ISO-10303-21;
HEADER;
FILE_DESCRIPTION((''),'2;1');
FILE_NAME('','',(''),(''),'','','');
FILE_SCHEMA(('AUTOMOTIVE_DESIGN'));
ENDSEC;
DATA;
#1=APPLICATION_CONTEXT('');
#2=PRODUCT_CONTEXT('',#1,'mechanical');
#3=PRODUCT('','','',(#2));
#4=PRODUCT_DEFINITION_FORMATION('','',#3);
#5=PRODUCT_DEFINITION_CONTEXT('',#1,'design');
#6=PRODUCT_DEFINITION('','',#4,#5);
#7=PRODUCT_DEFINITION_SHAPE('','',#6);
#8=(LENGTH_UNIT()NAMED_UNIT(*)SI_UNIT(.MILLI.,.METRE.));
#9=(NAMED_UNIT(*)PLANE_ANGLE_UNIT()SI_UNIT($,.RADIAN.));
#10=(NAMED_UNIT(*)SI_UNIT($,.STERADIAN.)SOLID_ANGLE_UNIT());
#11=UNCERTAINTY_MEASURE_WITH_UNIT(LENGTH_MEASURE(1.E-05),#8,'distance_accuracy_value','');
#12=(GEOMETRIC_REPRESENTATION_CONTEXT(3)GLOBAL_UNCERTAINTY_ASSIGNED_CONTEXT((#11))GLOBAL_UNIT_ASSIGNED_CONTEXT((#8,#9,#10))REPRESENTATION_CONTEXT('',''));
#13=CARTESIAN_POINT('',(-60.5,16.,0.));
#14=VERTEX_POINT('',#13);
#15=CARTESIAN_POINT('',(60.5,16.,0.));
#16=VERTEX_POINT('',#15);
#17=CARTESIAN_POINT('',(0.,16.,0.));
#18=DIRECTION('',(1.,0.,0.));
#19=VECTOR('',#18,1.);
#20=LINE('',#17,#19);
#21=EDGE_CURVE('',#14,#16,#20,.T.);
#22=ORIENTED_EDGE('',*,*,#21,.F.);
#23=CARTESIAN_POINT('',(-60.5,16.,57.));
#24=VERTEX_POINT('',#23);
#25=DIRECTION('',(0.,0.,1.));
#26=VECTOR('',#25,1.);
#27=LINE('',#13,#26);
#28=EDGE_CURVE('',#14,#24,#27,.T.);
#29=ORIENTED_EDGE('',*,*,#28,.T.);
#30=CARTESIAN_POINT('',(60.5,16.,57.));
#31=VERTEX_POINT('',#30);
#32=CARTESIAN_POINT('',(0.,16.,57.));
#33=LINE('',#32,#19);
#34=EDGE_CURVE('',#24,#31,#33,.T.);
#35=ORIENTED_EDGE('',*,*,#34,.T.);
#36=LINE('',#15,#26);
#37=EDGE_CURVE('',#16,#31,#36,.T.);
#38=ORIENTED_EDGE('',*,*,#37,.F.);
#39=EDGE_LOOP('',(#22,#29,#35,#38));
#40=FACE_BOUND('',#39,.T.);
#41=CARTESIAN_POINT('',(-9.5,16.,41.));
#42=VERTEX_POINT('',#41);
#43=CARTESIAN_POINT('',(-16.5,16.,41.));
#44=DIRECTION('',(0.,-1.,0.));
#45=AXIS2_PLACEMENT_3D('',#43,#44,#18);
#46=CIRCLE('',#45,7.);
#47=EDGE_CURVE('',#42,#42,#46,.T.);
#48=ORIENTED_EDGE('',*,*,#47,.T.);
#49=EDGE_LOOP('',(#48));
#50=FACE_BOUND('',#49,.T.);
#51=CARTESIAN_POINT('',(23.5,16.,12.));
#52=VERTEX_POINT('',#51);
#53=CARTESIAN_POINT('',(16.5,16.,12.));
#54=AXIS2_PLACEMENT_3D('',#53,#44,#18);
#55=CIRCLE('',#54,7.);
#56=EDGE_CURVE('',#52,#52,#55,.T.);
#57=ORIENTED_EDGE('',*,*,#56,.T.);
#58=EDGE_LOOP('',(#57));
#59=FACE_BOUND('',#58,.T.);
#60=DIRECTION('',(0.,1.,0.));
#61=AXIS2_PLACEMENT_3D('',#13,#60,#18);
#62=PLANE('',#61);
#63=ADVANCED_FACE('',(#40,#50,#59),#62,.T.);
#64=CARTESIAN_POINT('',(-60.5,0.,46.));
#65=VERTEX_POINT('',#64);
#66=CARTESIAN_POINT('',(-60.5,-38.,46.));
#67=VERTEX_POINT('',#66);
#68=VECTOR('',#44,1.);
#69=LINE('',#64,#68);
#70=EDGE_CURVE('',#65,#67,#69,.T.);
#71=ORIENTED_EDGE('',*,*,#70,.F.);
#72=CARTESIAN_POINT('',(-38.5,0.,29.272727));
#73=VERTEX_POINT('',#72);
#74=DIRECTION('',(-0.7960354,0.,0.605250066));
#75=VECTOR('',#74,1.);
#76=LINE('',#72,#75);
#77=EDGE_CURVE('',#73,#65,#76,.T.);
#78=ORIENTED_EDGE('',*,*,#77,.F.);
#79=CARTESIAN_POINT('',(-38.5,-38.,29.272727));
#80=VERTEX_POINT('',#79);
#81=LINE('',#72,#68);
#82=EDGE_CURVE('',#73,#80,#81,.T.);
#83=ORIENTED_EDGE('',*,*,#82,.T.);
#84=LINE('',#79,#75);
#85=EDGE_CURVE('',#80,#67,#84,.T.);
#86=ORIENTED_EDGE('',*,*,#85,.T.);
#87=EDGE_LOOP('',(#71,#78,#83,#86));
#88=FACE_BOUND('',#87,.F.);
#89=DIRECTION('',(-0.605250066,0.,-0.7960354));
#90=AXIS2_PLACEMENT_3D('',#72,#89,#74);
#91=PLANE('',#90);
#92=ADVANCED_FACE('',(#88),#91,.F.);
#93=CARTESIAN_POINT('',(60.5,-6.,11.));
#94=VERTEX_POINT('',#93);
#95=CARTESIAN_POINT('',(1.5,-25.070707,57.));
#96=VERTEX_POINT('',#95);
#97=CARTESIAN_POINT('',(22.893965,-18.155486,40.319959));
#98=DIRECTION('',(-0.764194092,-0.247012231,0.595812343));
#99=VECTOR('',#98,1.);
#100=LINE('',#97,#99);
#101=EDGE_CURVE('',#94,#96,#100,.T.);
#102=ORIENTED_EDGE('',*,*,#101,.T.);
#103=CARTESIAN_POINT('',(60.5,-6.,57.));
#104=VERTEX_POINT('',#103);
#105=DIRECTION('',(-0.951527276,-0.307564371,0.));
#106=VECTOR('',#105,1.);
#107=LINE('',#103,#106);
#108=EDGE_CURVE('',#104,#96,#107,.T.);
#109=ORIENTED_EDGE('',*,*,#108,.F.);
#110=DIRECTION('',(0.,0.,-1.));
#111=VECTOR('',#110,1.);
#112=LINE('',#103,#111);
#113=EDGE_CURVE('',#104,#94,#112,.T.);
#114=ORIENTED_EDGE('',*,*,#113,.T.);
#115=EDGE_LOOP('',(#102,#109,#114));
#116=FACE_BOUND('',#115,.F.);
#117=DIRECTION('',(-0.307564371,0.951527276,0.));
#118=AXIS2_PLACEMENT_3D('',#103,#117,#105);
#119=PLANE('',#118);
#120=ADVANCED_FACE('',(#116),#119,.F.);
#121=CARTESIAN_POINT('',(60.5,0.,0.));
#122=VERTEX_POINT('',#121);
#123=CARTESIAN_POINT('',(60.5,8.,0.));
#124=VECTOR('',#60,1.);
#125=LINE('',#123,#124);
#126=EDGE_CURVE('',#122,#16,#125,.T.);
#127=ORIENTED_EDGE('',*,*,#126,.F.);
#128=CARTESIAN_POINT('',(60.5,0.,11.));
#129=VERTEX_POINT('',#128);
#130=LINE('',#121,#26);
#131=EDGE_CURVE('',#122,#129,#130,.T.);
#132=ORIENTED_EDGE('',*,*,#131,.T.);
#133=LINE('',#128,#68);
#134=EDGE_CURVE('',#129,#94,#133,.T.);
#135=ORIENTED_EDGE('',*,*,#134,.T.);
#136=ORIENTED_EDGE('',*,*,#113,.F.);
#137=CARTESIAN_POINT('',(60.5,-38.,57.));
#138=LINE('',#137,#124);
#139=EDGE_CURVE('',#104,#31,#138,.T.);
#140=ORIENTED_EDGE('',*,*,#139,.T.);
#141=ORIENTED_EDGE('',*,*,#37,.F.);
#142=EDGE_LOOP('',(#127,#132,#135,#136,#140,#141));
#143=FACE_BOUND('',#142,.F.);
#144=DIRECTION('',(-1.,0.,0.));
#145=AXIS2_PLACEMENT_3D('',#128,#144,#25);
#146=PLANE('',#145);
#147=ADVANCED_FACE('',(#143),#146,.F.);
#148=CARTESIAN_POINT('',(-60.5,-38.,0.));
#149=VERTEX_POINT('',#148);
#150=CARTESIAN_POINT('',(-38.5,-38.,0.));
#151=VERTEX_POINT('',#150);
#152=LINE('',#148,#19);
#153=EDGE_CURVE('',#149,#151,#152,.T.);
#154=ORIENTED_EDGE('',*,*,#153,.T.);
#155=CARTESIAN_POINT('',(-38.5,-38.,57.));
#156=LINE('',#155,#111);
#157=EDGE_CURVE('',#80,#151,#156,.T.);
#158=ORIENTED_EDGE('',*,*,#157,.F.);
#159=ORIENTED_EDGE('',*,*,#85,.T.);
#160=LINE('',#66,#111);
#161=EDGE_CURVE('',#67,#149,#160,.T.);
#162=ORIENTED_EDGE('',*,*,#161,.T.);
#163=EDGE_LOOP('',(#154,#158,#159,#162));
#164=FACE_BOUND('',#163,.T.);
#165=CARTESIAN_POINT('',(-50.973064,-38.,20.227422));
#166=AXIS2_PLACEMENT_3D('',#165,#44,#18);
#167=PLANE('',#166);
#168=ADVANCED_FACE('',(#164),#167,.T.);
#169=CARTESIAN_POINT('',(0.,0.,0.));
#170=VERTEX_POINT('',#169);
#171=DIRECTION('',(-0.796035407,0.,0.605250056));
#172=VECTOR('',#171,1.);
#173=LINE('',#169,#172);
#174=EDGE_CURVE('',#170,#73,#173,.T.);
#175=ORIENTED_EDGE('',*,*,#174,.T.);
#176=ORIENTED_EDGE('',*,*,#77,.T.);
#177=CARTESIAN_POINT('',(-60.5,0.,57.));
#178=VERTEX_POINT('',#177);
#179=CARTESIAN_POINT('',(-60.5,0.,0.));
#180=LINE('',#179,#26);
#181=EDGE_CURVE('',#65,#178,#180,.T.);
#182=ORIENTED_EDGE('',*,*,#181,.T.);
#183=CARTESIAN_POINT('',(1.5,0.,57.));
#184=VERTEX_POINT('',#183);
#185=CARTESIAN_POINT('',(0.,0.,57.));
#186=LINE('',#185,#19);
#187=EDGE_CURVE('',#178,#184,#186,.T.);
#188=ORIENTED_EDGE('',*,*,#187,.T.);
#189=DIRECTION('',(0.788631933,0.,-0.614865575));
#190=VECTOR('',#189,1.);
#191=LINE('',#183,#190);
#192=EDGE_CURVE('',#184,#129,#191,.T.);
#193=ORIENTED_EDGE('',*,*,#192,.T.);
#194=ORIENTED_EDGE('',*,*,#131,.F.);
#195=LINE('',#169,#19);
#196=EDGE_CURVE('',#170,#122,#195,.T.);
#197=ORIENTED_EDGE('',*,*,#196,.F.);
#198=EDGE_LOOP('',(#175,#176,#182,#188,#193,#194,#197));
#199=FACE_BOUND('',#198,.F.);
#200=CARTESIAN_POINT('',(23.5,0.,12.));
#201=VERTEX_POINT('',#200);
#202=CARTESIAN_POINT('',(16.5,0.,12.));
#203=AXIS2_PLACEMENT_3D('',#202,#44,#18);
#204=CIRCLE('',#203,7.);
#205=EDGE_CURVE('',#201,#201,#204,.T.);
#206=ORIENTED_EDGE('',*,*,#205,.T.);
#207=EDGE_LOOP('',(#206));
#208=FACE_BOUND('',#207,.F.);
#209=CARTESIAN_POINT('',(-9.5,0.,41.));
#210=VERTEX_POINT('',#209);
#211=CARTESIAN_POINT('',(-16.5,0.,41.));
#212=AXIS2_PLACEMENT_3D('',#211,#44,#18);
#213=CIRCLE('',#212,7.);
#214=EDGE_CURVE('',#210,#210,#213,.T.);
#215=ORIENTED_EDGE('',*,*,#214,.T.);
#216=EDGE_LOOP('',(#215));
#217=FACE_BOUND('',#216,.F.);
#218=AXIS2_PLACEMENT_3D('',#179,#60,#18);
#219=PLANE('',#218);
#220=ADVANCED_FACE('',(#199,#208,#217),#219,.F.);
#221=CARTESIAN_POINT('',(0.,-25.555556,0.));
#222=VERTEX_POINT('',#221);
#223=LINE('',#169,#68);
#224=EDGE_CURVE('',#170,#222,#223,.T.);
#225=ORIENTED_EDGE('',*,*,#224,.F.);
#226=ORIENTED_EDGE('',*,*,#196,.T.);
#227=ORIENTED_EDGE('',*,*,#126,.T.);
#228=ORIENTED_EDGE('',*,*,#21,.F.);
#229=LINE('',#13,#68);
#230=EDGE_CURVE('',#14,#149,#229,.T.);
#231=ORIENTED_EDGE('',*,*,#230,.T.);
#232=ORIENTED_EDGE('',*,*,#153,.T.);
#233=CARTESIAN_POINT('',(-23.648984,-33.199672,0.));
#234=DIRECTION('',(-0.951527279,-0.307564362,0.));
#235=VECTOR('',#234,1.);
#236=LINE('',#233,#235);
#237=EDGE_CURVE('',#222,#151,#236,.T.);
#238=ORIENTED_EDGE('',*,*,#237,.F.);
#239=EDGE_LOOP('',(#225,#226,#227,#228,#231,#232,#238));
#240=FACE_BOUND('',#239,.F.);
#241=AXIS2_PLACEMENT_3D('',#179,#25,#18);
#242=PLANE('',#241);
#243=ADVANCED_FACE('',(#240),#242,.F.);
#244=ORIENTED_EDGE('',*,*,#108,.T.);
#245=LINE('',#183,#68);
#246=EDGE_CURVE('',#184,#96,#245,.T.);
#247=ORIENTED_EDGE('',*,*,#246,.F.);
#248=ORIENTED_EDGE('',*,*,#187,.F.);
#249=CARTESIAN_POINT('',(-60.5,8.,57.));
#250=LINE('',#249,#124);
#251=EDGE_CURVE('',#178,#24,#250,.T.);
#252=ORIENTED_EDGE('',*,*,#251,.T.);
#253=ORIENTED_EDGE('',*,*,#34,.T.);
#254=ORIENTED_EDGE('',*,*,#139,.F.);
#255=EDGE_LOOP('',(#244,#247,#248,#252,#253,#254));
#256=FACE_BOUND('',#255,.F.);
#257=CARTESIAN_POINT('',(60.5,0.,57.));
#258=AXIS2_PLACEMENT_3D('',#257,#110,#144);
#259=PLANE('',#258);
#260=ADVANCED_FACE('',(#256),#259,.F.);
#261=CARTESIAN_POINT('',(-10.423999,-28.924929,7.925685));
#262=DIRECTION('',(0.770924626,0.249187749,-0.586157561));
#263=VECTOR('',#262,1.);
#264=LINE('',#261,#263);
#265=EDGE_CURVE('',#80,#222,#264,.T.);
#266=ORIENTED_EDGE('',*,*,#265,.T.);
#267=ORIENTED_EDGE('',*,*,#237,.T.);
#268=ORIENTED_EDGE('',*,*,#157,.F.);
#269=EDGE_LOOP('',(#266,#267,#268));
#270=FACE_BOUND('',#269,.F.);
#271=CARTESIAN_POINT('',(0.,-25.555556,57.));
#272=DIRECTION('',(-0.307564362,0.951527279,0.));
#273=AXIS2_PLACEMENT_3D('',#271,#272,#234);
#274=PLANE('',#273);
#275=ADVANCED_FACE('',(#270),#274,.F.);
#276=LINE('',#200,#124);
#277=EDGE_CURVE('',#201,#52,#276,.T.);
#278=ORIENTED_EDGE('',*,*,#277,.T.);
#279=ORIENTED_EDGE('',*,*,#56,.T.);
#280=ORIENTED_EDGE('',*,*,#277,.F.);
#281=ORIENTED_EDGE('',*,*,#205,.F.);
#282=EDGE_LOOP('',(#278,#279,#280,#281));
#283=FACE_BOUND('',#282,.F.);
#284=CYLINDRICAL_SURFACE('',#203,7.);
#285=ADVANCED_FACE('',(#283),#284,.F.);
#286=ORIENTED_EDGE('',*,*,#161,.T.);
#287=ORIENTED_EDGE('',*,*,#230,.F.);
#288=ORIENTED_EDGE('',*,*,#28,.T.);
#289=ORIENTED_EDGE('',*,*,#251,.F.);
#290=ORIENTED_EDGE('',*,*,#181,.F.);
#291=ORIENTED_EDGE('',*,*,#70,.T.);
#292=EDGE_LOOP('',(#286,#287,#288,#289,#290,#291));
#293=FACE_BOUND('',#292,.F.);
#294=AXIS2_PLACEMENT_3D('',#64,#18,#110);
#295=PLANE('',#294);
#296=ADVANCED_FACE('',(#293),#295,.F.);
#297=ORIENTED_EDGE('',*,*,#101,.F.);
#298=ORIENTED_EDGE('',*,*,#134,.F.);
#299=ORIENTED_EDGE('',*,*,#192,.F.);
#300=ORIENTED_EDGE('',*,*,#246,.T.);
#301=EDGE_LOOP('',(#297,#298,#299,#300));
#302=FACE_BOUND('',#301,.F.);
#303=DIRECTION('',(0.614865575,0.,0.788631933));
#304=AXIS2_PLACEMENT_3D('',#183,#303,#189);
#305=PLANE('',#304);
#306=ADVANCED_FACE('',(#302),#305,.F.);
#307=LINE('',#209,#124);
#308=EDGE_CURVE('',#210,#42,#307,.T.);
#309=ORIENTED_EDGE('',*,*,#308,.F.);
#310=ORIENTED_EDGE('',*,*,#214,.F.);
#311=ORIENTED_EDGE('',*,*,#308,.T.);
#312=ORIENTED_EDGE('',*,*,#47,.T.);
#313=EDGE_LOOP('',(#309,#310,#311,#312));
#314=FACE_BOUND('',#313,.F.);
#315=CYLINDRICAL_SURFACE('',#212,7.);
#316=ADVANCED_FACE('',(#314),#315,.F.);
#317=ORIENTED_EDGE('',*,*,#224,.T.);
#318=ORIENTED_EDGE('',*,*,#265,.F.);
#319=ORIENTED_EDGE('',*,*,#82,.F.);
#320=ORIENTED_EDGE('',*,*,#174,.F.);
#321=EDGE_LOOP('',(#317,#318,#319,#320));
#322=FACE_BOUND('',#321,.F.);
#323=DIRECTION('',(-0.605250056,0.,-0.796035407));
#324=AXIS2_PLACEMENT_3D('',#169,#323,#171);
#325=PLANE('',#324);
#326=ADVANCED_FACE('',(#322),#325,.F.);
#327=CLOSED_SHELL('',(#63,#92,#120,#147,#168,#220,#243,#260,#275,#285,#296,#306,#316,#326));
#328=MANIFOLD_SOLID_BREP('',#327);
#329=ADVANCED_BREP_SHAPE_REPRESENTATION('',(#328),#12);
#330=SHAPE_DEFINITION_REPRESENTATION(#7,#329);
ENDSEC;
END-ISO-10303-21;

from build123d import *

# Parameters (mm, degrees)
F0_W     = 121
F0_H     = 16
F1_DEPTH = 57
F2_R     = 7
F3_DEPTH = 16.001
F4_DEPTH = 38
F5_DEPTH = 38
F7_DEPTH = 57.001


with BuildPart() as f1:
    # F0 (on Top) → F1 (new body)
    with BuildSketch(Plane.XY):
        with Locations((0, 8)):
            Rectangle(F0_W, F0_H)
    extrude(amount=F1_DEPTH)

    # F2 (on face) → F3 (cut, through all)
    with BuildSketch(Plane.XZ):
        with Locations((-16.5, 41)):
            Circle(F2_R)
        with Locations((16.5, 12)):
            Circle(F2_R)
    extrude(amount=-F3_DEPTH, mode=Mode.SUBTRACT)

    # F2 (on face) → F4 (join)
    with BuildSketch(Plane.XZ):
        Polygon((-60.5, 46), (-60.5, 0), (-38.5, 0), (-38.5, 29.272727), align=None)
        Polygon((-38.5, 29.272727), (-38.5, 0), (0, 0), align=None)
    extrude(amount=F4_DEPTH)

    # F2 (on face) → F5 (join)
    with BuildSketch(Plane.XZ):
        Polygon((60.5, 57), (1.5, 57), (60.5, 11), align=None)
    extrude(amount=F5_DEPTH)

    # F6 (on face) → F7 (cut, through all)
    with BuildSketch(Plane.XY.offset(57)):
        Polygon((0, -25.555556), (-38.5, -38), (0, -38), align=None)
        Polygon((60.5, -6), (1.5, -25.070707), (1.5, -38), (60.5, -38), align=None)
    extrude(amount=-F7_DEPTH, mode=Mode.SUBTRACT)


solid = f1.part
